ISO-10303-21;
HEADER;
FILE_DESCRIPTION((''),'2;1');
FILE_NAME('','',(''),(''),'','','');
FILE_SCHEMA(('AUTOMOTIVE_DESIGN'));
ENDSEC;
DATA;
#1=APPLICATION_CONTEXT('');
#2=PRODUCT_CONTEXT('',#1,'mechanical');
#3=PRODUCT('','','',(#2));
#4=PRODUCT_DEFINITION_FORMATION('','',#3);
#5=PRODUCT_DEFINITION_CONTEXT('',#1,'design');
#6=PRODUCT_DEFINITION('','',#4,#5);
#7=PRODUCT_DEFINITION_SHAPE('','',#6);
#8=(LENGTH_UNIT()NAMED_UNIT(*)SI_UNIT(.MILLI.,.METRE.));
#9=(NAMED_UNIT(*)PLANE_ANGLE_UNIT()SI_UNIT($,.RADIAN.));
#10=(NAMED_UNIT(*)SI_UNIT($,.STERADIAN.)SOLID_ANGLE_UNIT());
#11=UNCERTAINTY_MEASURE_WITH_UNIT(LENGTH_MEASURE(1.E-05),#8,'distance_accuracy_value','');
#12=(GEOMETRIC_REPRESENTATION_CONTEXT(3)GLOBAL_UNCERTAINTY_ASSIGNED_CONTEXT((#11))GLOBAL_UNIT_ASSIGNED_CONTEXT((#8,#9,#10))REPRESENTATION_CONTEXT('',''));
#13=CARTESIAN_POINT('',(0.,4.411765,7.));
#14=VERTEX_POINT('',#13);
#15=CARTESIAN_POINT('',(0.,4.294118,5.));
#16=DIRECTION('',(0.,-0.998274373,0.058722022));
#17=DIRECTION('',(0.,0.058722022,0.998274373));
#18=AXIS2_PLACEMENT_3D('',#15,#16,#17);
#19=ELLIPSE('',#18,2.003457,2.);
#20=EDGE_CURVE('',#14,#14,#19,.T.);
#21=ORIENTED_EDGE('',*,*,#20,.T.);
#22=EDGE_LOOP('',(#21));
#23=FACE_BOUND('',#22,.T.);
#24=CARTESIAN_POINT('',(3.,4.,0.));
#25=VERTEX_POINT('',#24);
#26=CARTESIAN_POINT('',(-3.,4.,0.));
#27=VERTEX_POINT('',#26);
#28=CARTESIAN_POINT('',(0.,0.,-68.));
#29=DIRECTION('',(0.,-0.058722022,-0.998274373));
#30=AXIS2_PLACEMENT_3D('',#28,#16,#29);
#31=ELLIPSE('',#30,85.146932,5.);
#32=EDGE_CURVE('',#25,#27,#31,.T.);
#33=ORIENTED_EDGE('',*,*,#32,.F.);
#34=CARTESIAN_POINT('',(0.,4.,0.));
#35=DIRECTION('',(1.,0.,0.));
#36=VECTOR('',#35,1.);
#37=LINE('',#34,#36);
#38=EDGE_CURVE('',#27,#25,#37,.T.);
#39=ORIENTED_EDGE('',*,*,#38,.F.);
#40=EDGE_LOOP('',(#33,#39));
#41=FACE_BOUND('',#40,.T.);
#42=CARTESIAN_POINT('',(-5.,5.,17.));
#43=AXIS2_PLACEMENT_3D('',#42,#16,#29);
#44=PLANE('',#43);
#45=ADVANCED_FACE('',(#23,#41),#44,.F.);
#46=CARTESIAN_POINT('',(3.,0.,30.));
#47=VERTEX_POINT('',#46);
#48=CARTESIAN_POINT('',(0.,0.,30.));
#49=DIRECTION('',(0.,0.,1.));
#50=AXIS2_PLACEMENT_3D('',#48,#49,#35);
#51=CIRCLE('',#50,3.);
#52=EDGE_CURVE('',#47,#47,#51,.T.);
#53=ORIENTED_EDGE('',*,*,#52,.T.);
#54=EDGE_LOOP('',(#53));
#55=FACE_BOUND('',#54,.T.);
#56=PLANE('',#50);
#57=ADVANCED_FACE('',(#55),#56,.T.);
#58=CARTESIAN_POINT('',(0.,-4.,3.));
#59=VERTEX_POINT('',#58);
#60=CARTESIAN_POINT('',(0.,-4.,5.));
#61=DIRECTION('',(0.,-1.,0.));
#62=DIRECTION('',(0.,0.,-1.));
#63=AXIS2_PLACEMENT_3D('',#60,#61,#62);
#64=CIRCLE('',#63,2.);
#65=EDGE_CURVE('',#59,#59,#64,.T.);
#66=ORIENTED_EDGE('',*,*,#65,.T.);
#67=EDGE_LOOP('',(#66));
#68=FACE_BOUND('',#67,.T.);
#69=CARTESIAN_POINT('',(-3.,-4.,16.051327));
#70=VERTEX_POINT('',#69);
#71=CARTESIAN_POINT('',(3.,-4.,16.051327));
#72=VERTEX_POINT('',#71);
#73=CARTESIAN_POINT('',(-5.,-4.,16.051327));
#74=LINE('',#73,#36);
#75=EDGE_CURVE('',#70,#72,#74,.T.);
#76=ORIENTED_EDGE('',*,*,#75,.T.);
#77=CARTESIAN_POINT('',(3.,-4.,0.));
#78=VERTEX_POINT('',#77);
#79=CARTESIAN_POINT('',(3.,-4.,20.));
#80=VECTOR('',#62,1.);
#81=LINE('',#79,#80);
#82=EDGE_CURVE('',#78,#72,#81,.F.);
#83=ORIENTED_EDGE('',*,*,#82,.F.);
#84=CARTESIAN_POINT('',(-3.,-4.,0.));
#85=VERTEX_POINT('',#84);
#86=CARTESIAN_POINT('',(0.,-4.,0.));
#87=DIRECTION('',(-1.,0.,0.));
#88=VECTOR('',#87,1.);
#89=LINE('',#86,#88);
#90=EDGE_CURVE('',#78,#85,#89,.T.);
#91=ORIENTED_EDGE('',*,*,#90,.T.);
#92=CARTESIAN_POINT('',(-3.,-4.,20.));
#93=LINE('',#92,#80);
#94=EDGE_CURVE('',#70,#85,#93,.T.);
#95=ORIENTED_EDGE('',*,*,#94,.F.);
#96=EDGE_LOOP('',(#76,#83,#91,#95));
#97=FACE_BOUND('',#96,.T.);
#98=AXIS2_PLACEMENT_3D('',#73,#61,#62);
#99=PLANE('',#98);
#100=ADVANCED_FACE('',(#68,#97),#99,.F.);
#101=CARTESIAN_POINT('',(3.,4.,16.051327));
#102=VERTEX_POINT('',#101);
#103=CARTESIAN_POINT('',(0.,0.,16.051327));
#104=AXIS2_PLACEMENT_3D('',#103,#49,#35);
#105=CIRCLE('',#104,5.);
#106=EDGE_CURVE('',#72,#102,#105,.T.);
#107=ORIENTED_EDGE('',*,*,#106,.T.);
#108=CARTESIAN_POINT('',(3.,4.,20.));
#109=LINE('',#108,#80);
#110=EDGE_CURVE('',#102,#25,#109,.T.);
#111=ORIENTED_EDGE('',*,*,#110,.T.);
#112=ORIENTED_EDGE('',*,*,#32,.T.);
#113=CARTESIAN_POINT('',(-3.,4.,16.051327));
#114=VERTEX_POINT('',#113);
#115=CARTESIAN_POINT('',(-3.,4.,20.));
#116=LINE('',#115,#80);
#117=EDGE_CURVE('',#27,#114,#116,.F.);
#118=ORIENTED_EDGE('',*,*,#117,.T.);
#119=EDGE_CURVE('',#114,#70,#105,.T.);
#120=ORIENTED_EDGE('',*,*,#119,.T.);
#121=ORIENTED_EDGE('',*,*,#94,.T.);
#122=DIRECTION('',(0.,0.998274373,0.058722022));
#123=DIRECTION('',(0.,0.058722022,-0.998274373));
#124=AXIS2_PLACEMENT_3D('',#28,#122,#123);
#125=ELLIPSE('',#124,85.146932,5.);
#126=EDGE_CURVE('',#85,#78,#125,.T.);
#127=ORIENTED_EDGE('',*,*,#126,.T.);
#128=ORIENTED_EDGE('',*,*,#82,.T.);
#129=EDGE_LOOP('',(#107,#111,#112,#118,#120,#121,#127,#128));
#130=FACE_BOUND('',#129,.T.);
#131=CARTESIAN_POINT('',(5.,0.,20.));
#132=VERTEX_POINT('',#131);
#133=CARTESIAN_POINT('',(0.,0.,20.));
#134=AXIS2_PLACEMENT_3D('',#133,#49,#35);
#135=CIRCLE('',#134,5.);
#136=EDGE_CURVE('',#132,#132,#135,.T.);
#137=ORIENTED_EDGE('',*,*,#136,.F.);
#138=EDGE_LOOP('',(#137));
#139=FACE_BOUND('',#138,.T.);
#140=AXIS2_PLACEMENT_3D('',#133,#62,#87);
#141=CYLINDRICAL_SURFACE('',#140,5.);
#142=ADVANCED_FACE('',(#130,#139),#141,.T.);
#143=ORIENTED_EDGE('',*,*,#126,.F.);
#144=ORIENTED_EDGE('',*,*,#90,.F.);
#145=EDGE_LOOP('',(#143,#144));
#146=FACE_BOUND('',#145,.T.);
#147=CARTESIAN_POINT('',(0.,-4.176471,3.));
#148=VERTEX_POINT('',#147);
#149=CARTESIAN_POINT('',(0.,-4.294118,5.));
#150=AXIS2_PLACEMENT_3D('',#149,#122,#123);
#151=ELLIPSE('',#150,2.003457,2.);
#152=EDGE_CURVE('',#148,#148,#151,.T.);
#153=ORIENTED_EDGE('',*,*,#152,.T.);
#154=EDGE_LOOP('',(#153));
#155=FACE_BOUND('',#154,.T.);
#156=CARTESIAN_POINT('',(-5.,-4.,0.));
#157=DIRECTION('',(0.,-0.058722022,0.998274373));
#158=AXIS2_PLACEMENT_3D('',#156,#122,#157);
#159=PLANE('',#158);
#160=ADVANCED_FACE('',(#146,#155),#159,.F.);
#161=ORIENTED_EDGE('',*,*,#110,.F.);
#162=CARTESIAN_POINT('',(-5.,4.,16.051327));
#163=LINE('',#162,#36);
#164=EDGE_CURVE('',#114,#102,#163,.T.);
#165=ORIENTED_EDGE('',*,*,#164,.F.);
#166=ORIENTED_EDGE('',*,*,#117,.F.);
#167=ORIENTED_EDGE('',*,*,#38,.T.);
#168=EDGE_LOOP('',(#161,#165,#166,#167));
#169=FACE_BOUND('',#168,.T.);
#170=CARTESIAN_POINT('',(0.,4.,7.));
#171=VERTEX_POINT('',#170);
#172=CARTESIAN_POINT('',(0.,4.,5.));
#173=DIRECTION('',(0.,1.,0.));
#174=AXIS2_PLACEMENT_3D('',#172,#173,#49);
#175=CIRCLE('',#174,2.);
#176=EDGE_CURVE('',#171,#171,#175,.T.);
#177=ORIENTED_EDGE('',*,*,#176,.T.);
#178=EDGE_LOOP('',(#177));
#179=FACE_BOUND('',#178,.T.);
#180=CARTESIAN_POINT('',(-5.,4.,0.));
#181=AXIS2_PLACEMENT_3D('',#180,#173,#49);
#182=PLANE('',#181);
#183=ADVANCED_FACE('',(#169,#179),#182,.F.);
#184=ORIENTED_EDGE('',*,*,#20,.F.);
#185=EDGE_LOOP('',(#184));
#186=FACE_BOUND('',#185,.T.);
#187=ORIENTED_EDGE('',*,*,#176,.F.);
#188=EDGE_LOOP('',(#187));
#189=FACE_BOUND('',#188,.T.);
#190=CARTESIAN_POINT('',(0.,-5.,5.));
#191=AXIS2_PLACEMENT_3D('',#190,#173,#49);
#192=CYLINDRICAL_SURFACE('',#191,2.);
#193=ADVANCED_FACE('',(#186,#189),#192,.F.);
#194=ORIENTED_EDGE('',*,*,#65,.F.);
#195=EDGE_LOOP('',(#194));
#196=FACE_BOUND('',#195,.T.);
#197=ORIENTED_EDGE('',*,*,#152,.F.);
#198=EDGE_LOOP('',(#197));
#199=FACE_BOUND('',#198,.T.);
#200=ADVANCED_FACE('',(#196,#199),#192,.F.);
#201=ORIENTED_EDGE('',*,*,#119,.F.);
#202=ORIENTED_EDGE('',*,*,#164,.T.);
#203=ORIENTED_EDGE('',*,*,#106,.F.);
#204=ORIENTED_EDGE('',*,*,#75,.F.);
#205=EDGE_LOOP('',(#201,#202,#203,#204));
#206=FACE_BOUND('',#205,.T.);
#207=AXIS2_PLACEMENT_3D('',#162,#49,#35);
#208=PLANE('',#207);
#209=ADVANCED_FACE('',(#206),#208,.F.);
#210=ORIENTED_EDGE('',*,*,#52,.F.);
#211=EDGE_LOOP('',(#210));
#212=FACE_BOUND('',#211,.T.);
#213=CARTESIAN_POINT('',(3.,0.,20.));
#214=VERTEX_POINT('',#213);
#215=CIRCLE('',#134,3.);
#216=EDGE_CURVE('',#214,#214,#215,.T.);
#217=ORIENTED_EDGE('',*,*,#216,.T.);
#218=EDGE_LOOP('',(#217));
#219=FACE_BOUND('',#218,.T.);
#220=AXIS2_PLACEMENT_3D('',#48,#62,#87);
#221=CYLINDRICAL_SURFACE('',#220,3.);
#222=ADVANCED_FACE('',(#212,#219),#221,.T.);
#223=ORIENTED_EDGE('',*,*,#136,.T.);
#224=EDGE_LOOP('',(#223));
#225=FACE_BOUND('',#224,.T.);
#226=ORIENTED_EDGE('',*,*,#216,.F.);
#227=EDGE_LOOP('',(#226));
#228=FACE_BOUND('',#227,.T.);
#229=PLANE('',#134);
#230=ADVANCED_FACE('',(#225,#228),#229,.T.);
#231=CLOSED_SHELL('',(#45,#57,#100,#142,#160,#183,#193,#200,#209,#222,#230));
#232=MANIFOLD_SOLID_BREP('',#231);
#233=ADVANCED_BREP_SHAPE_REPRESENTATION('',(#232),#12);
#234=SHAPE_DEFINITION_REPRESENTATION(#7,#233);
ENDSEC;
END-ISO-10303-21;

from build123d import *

# Parameters (mm, degrees)
SKETCH1_R           = 5
BOSS_EXTRUDE1_DEPTH = 20
SKETCH2_R           = 3
BOSS_EXTRUDE2_DEPTH = 10
CUT_EXTRUDE1_DEPTH  = 5
SKETCH4_W           = 16.051327138
SKETCH4_H           = 8
CUT_EXTRUDE2_DEPTH  = 5
SKETCH5_R           = 2
CUT_EXTRUDE3_DEPTH  = 5


with BuildPart() as part:
    # Sketch1 → Boss-Extrude1 (new body)
    with BuildSketch(Plane.XY):
        Circle(SKETCH1_R)
    extrude(amount=BOSS_EXTRUDE1_DEPTH)

    # Sketch2 → Boss-Extrude2 (add)
    with BuildSketch(Plane.XY.offset(20)):
        Circle(SKETCH2_R)
    extrude(amount=BOSS_EXTRUDE2_DEPTH)

    # Sketch3 → Cut-Extrude1 (cut, symmetric)
    with BuildSketch(Plane(origin=(0, 0, 0), x_dir=(0, 0, -1), z_dir=(1, 0, 0))):
        Polygon((0, 5), (-17, 5), (0, 4), align=None)
        Polygon((-17, -5), (0, -5), (0, -4), align=None)
    extrude(amount=CUT_EXTRUDE1_DEPTH, both=True, mode=Mode.SUBTRACT)

    # Sketch4 → Cut-Extrude2 (cut, symmetric)
    with BuildSketch(Plane(origin=(0, 0, 0), x_dir=(0, 0, -1), z_dir=(1, 0, 0))):
        with Locations((-8.025663569, 0)):
            Rectangle(SKETCH4_W, SKETCH4_H)
    extrude(amount=CUT_EXTRUDE2_DEPTH, both=True, mode=Mode.SUBTRACT)

    # Sketch5 → Cut-Extrude3 (cut, symmetric)
    with BuildSketch(Plane(origin=(0, 0, 0), x_dir=(1, 0, 0), z_dir=(0, 1, 0))):
        with Locations(Location((0, -5, 0), (0, 0, 90))):
            Circle(SKETCH5_R)
    extrude(amount=CUT_EXTRUDE3_DEPTH, both=True, mode=Mode.SUBTRACT)


solid = part.part
